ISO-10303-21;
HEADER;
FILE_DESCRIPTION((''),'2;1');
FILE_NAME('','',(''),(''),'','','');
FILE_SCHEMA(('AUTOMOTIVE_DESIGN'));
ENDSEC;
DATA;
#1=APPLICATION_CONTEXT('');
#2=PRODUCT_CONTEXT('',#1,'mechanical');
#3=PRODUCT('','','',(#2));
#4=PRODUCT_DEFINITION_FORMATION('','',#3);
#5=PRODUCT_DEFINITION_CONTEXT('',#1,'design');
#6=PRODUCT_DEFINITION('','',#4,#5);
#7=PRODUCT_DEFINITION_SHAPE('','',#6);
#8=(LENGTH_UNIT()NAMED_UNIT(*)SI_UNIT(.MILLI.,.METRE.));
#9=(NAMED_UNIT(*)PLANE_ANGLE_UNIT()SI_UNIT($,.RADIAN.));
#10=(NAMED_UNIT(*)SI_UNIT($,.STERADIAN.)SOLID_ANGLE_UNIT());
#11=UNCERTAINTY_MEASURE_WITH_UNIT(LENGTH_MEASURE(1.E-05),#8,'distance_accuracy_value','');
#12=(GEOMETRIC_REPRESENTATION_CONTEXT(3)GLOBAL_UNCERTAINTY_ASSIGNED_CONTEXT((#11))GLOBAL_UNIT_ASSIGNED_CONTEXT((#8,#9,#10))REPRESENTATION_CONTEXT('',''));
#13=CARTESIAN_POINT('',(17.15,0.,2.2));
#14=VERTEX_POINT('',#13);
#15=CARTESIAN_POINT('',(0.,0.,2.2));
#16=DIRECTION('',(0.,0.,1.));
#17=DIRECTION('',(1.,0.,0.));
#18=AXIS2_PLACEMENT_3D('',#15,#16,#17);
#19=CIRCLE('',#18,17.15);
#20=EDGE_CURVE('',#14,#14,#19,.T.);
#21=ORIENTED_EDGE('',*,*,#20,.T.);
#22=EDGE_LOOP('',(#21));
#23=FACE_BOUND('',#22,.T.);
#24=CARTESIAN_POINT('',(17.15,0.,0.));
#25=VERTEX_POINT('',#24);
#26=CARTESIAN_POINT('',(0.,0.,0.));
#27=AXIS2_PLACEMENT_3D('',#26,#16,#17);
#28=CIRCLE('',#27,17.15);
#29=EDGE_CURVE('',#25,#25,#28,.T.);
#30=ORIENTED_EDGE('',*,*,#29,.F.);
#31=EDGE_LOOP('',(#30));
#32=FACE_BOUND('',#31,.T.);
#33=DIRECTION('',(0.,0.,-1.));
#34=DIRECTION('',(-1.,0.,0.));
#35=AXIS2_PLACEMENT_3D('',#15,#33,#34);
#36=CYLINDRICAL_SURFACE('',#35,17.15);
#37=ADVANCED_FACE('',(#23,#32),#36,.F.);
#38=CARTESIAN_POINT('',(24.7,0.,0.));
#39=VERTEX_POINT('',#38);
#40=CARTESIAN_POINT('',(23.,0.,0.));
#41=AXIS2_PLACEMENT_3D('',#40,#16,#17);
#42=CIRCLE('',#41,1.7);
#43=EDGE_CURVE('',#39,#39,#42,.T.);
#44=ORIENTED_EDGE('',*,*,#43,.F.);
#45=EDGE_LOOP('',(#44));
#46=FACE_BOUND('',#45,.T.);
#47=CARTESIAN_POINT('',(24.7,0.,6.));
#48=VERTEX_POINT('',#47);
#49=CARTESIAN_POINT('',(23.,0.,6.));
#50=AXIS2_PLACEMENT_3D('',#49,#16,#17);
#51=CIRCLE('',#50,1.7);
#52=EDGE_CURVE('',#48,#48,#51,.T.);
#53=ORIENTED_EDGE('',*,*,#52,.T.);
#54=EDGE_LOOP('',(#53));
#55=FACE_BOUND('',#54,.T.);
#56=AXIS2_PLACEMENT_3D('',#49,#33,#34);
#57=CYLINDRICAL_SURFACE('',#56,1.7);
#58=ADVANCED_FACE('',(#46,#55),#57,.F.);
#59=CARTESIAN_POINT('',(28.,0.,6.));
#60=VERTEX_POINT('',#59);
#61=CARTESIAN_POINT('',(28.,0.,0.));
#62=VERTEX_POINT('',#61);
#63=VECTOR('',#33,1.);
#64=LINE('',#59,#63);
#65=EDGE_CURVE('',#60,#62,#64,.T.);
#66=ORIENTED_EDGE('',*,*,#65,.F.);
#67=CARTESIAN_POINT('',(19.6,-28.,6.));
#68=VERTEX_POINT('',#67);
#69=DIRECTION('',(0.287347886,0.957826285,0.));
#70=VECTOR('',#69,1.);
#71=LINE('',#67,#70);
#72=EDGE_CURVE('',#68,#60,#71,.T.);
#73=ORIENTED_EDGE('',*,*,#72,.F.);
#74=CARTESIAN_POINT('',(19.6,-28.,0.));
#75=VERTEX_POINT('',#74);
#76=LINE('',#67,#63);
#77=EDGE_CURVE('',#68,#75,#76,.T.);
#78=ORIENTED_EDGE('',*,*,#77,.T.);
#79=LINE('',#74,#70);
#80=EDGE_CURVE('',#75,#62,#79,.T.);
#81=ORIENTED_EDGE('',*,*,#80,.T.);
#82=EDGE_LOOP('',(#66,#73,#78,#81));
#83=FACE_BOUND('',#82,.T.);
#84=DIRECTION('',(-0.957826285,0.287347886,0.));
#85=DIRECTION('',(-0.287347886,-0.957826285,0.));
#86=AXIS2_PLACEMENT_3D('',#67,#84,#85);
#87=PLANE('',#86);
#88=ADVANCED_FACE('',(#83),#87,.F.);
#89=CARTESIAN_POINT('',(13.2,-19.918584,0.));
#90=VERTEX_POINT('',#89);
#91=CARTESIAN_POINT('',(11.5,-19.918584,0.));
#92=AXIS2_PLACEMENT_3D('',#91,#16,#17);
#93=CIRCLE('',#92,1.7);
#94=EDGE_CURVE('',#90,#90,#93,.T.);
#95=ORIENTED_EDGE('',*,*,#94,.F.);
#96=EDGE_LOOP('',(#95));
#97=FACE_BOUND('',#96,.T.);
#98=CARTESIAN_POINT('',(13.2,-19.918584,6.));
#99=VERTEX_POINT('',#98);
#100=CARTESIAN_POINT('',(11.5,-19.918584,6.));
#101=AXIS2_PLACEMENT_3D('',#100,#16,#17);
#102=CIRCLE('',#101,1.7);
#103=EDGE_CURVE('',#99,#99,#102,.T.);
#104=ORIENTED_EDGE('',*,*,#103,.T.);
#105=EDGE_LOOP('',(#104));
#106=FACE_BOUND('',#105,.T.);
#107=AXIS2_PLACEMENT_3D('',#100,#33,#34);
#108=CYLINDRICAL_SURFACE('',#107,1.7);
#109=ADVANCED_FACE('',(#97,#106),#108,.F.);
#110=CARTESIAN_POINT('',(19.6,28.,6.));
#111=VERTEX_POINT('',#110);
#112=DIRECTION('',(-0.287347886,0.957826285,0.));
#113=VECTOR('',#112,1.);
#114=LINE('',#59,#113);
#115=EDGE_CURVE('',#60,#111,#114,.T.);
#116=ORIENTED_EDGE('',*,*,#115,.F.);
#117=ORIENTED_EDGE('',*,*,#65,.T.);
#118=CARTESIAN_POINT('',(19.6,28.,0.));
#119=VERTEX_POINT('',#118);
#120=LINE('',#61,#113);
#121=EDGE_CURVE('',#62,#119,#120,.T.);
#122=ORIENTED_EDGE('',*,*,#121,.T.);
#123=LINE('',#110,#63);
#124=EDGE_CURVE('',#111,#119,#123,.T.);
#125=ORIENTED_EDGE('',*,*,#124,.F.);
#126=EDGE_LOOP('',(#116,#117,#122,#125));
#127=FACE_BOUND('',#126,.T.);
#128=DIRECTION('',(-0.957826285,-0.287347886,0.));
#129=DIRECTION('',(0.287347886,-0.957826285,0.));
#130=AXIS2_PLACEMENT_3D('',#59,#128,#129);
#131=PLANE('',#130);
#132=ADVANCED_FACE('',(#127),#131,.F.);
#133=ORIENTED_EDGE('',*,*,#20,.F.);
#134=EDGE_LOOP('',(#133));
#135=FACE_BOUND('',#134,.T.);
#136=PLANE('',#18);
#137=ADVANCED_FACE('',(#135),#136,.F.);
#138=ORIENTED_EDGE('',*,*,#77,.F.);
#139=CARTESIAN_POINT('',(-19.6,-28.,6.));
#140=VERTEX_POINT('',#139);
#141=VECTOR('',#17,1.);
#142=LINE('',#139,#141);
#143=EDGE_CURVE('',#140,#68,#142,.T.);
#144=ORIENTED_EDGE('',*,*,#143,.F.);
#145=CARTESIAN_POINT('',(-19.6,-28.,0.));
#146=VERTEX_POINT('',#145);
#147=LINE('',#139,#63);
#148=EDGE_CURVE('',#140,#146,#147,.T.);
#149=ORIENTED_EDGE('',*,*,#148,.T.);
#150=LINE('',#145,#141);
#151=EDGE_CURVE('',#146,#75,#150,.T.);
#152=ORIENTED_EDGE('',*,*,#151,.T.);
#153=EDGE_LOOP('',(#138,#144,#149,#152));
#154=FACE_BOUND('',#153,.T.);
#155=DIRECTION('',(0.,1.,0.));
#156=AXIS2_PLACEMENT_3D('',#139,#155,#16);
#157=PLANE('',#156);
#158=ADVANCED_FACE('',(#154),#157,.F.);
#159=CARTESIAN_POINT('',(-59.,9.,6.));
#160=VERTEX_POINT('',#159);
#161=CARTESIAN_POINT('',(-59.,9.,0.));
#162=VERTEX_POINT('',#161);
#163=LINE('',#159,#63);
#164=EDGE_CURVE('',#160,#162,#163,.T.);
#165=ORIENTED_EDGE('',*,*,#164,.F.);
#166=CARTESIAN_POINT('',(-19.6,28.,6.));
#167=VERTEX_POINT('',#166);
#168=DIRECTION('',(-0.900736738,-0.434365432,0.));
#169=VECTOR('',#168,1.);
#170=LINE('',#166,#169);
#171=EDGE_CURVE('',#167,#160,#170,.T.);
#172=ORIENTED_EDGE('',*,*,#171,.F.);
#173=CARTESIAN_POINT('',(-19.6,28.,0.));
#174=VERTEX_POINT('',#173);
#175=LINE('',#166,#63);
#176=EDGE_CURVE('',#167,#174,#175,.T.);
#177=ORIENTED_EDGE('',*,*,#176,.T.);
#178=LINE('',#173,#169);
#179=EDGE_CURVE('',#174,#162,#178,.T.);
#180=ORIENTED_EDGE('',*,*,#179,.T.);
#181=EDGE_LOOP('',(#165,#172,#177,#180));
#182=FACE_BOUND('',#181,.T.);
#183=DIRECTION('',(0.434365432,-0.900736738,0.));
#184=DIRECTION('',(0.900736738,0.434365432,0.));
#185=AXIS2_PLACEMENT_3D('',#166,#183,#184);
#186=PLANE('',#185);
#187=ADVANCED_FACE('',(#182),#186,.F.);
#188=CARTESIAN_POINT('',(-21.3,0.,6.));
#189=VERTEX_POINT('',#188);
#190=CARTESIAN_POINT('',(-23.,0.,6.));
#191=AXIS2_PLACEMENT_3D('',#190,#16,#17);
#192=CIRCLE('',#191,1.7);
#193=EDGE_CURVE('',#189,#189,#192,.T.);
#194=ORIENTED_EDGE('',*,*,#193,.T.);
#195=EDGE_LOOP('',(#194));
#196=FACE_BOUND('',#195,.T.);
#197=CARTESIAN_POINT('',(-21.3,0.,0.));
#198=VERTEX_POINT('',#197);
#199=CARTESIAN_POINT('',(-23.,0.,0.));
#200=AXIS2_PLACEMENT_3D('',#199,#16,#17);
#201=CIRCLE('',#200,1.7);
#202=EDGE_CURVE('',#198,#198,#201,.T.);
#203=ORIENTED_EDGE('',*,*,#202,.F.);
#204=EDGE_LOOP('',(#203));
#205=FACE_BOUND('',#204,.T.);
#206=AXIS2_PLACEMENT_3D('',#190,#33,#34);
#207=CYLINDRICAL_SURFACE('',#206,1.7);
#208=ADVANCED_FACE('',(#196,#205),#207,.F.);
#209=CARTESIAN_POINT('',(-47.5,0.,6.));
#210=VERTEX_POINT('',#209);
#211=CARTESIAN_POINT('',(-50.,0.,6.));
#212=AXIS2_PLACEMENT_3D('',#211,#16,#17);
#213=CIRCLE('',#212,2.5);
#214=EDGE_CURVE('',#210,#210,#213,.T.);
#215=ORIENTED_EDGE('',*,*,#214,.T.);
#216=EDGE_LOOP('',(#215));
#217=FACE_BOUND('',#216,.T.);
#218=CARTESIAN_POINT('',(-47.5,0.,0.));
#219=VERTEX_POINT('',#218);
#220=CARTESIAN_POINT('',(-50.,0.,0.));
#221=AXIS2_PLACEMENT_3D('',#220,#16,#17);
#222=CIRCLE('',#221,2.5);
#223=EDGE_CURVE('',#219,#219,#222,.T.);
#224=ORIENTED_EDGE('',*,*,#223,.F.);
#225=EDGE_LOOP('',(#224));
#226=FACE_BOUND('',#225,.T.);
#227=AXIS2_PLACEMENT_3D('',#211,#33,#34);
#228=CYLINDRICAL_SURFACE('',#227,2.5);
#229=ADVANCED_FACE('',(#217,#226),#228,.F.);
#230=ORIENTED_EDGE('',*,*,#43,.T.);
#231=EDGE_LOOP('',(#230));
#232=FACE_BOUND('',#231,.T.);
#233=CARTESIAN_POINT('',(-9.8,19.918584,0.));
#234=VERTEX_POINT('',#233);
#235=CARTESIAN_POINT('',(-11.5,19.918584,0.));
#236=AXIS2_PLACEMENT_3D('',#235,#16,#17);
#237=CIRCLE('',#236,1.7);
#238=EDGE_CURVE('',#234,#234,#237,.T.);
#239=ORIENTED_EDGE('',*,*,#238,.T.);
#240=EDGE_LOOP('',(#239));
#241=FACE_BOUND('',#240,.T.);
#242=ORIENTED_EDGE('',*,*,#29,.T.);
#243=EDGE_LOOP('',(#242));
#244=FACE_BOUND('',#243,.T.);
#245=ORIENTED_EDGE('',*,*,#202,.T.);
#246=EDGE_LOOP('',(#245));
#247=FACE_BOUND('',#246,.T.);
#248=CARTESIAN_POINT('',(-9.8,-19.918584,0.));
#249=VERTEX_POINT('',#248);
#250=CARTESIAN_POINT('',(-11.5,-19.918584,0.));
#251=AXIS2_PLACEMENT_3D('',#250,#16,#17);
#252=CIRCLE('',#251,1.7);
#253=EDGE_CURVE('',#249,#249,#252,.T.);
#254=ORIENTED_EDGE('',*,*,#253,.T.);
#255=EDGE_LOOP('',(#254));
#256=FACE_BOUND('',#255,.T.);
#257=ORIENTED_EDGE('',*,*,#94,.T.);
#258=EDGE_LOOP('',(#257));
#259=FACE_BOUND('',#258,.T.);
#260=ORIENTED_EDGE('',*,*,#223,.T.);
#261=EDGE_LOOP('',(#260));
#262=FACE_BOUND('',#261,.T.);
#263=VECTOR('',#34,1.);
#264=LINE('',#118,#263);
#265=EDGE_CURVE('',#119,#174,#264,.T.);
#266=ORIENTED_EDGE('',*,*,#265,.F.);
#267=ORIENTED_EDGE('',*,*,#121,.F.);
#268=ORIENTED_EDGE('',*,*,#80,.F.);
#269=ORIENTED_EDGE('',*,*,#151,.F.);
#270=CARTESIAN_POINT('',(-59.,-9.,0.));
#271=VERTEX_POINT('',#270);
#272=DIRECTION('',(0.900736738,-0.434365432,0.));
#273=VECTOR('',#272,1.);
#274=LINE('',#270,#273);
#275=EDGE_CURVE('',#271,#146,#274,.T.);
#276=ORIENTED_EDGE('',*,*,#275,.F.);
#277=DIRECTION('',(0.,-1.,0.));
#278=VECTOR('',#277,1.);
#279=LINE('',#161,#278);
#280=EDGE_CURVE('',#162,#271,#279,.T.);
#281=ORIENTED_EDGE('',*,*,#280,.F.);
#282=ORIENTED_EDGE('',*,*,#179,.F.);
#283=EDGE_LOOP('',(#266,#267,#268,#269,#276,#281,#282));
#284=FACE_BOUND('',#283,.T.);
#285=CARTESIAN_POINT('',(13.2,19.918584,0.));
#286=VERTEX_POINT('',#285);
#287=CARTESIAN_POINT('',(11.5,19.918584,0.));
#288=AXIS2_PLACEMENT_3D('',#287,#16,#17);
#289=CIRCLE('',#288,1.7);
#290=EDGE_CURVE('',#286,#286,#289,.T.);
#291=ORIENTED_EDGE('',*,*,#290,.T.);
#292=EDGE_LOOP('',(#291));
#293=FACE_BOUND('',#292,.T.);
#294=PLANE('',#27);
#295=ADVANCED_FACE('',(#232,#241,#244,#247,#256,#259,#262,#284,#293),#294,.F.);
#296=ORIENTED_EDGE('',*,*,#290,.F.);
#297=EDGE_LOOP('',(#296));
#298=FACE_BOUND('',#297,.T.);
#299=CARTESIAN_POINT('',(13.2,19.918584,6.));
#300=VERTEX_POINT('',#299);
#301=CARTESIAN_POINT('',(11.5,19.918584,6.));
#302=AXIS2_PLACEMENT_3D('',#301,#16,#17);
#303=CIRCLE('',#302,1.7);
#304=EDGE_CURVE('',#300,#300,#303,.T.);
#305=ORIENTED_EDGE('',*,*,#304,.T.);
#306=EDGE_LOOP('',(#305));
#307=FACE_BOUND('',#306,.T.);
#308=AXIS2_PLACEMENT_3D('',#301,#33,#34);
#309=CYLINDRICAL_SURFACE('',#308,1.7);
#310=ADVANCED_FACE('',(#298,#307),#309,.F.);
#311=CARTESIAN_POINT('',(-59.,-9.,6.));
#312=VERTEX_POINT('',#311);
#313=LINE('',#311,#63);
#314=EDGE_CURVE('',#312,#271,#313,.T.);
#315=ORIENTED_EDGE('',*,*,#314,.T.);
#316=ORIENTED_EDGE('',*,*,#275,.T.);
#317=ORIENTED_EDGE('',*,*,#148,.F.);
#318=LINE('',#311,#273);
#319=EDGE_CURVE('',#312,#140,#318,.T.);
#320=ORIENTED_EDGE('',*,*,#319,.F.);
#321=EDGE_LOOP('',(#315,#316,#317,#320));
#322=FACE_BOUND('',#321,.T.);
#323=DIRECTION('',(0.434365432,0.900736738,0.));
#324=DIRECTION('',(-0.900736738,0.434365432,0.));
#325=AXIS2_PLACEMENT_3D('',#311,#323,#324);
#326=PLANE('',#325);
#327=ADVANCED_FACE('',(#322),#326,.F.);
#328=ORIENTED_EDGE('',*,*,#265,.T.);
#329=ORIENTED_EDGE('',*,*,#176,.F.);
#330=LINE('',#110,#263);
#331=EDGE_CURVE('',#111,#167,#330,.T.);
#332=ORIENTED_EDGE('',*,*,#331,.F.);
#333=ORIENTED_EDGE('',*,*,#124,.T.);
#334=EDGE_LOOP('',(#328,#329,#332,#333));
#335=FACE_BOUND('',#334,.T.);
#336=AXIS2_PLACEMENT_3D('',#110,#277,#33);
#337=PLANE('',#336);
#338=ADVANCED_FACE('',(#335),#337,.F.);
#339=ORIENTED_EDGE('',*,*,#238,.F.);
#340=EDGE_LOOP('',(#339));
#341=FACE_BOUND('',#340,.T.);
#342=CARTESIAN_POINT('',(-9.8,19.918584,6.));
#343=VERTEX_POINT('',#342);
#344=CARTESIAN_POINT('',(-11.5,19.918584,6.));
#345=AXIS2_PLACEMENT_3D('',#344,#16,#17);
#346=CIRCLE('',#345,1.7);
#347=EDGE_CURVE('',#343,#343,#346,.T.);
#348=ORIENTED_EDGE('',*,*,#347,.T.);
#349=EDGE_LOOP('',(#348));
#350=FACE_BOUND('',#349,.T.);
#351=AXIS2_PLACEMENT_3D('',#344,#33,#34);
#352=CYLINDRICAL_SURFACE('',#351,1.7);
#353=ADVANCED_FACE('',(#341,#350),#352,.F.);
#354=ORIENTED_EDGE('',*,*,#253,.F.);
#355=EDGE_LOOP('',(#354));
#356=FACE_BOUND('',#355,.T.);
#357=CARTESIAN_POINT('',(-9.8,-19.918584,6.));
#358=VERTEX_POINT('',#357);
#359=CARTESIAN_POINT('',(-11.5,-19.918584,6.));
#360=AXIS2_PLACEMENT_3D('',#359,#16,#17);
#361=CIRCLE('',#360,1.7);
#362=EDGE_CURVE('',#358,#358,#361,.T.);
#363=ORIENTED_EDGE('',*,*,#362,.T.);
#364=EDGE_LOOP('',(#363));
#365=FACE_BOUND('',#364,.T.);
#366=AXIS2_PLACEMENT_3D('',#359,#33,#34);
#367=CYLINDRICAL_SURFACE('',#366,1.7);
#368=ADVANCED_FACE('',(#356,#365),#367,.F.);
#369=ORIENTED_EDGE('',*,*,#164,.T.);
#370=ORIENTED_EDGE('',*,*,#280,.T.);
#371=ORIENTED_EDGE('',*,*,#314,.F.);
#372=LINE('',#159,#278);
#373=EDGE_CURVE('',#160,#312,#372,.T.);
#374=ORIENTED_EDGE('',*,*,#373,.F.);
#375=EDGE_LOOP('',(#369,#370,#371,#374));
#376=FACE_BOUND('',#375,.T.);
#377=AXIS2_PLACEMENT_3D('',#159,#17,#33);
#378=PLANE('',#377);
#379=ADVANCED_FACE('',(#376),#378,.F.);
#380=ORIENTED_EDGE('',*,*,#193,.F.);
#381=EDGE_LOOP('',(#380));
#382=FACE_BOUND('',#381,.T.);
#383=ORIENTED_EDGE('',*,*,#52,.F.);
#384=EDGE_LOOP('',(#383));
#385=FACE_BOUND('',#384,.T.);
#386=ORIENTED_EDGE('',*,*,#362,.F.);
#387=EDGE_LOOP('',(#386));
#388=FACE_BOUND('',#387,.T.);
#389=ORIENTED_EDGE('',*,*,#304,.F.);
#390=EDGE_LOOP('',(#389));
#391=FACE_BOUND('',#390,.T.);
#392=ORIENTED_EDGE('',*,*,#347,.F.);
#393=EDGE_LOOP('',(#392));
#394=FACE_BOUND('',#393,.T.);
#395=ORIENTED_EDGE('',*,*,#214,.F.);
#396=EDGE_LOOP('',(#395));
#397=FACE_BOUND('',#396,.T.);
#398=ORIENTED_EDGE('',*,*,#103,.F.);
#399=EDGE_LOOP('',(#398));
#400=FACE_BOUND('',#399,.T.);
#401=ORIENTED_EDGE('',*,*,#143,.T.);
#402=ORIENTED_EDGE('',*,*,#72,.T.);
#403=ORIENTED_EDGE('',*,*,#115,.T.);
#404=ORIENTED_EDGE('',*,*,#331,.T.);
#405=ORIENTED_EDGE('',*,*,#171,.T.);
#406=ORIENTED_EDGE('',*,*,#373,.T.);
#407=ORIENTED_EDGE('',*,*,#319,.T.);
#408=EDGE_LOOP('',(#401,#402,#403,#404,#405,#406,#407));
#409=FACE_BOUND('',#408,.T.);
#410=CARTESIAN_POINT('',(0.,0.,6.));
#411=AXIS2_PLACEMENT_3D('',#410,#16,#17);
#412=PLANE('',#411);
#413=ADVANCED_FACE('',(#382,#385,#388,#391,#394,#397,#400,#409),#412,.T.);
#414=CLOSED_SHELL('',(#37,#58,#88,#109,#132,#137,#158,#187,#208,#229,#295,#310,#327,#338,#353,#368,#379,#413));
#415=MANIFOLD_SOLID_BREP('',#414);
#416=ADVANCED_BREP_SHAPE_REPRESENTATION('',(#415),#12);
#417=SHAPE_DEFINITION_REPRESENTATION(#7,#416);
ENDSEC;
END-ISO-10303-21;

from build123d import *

# Parameters (mm, degrees)
SK_CRANK_PLATE_R   = 1.7
SK_CRANK_PLATE_R_2 = 2.5
CRANK_PLATE_DEPTH  = 6
SK_PILOT_RECESS_R  = 17.15
PILOT_RECESS_DEPTH = 2.2


with BuildPart() as part:
    # SK_Crank_Plate → Crank_Plate (new body)
    with BuildSketch(Plane.XY):
        Polygon((-59, -9), (-19.6, -28), (19.6, -28), (28, 0), (19.6, 28), (-19.6, 28), (-59, 9), align=None)
        with Locations((23, 0)):
            Circle(SK_CRANK_PLATE_R, mode=Mode.SUBTRACT)
        with Locations((11.5, 19.918584287)):
            Circle(SK_CRANK_PLATE_R, mode=Mode.SUBTRACT)
        with Locations((-11.5, 19.918584287)):
            Circle(SK_CRANK_PLATE_R, mode=Mode.SUBTRACT)
        with Locations((-23, 0)):
            Circle(SK_CRANK_PLATE_R, mode=Mode.SUBTRACT)
        with Locations((-11.5, -19.918584287)):
            Circle(SK_CRANK_PLATE_R, mode=Mode.SUBTRACT)
        with Locations((11.5, -19.918584287)):
            Circle(SK_CRANK_PLATE_R, mode=Mode.SUBTRACT)
        with Locations((-50, 0)):
            Circle(SK_CRANK_PLATE_R_2, mode=Mode.SUBTRACT)
    extrude(amount=CRANK_PLATE_DEPTH)

    # SK_Pilot_Recess → Pilot_Recess (cut)
    with BuildSketch(Plane.XY):
        Circle(SK_PILOT_RECESS_R)
    extrude(amount=PILOT_RECESS_DEPTH, mode=Mode.SUBTRACT)


solid = part.part
